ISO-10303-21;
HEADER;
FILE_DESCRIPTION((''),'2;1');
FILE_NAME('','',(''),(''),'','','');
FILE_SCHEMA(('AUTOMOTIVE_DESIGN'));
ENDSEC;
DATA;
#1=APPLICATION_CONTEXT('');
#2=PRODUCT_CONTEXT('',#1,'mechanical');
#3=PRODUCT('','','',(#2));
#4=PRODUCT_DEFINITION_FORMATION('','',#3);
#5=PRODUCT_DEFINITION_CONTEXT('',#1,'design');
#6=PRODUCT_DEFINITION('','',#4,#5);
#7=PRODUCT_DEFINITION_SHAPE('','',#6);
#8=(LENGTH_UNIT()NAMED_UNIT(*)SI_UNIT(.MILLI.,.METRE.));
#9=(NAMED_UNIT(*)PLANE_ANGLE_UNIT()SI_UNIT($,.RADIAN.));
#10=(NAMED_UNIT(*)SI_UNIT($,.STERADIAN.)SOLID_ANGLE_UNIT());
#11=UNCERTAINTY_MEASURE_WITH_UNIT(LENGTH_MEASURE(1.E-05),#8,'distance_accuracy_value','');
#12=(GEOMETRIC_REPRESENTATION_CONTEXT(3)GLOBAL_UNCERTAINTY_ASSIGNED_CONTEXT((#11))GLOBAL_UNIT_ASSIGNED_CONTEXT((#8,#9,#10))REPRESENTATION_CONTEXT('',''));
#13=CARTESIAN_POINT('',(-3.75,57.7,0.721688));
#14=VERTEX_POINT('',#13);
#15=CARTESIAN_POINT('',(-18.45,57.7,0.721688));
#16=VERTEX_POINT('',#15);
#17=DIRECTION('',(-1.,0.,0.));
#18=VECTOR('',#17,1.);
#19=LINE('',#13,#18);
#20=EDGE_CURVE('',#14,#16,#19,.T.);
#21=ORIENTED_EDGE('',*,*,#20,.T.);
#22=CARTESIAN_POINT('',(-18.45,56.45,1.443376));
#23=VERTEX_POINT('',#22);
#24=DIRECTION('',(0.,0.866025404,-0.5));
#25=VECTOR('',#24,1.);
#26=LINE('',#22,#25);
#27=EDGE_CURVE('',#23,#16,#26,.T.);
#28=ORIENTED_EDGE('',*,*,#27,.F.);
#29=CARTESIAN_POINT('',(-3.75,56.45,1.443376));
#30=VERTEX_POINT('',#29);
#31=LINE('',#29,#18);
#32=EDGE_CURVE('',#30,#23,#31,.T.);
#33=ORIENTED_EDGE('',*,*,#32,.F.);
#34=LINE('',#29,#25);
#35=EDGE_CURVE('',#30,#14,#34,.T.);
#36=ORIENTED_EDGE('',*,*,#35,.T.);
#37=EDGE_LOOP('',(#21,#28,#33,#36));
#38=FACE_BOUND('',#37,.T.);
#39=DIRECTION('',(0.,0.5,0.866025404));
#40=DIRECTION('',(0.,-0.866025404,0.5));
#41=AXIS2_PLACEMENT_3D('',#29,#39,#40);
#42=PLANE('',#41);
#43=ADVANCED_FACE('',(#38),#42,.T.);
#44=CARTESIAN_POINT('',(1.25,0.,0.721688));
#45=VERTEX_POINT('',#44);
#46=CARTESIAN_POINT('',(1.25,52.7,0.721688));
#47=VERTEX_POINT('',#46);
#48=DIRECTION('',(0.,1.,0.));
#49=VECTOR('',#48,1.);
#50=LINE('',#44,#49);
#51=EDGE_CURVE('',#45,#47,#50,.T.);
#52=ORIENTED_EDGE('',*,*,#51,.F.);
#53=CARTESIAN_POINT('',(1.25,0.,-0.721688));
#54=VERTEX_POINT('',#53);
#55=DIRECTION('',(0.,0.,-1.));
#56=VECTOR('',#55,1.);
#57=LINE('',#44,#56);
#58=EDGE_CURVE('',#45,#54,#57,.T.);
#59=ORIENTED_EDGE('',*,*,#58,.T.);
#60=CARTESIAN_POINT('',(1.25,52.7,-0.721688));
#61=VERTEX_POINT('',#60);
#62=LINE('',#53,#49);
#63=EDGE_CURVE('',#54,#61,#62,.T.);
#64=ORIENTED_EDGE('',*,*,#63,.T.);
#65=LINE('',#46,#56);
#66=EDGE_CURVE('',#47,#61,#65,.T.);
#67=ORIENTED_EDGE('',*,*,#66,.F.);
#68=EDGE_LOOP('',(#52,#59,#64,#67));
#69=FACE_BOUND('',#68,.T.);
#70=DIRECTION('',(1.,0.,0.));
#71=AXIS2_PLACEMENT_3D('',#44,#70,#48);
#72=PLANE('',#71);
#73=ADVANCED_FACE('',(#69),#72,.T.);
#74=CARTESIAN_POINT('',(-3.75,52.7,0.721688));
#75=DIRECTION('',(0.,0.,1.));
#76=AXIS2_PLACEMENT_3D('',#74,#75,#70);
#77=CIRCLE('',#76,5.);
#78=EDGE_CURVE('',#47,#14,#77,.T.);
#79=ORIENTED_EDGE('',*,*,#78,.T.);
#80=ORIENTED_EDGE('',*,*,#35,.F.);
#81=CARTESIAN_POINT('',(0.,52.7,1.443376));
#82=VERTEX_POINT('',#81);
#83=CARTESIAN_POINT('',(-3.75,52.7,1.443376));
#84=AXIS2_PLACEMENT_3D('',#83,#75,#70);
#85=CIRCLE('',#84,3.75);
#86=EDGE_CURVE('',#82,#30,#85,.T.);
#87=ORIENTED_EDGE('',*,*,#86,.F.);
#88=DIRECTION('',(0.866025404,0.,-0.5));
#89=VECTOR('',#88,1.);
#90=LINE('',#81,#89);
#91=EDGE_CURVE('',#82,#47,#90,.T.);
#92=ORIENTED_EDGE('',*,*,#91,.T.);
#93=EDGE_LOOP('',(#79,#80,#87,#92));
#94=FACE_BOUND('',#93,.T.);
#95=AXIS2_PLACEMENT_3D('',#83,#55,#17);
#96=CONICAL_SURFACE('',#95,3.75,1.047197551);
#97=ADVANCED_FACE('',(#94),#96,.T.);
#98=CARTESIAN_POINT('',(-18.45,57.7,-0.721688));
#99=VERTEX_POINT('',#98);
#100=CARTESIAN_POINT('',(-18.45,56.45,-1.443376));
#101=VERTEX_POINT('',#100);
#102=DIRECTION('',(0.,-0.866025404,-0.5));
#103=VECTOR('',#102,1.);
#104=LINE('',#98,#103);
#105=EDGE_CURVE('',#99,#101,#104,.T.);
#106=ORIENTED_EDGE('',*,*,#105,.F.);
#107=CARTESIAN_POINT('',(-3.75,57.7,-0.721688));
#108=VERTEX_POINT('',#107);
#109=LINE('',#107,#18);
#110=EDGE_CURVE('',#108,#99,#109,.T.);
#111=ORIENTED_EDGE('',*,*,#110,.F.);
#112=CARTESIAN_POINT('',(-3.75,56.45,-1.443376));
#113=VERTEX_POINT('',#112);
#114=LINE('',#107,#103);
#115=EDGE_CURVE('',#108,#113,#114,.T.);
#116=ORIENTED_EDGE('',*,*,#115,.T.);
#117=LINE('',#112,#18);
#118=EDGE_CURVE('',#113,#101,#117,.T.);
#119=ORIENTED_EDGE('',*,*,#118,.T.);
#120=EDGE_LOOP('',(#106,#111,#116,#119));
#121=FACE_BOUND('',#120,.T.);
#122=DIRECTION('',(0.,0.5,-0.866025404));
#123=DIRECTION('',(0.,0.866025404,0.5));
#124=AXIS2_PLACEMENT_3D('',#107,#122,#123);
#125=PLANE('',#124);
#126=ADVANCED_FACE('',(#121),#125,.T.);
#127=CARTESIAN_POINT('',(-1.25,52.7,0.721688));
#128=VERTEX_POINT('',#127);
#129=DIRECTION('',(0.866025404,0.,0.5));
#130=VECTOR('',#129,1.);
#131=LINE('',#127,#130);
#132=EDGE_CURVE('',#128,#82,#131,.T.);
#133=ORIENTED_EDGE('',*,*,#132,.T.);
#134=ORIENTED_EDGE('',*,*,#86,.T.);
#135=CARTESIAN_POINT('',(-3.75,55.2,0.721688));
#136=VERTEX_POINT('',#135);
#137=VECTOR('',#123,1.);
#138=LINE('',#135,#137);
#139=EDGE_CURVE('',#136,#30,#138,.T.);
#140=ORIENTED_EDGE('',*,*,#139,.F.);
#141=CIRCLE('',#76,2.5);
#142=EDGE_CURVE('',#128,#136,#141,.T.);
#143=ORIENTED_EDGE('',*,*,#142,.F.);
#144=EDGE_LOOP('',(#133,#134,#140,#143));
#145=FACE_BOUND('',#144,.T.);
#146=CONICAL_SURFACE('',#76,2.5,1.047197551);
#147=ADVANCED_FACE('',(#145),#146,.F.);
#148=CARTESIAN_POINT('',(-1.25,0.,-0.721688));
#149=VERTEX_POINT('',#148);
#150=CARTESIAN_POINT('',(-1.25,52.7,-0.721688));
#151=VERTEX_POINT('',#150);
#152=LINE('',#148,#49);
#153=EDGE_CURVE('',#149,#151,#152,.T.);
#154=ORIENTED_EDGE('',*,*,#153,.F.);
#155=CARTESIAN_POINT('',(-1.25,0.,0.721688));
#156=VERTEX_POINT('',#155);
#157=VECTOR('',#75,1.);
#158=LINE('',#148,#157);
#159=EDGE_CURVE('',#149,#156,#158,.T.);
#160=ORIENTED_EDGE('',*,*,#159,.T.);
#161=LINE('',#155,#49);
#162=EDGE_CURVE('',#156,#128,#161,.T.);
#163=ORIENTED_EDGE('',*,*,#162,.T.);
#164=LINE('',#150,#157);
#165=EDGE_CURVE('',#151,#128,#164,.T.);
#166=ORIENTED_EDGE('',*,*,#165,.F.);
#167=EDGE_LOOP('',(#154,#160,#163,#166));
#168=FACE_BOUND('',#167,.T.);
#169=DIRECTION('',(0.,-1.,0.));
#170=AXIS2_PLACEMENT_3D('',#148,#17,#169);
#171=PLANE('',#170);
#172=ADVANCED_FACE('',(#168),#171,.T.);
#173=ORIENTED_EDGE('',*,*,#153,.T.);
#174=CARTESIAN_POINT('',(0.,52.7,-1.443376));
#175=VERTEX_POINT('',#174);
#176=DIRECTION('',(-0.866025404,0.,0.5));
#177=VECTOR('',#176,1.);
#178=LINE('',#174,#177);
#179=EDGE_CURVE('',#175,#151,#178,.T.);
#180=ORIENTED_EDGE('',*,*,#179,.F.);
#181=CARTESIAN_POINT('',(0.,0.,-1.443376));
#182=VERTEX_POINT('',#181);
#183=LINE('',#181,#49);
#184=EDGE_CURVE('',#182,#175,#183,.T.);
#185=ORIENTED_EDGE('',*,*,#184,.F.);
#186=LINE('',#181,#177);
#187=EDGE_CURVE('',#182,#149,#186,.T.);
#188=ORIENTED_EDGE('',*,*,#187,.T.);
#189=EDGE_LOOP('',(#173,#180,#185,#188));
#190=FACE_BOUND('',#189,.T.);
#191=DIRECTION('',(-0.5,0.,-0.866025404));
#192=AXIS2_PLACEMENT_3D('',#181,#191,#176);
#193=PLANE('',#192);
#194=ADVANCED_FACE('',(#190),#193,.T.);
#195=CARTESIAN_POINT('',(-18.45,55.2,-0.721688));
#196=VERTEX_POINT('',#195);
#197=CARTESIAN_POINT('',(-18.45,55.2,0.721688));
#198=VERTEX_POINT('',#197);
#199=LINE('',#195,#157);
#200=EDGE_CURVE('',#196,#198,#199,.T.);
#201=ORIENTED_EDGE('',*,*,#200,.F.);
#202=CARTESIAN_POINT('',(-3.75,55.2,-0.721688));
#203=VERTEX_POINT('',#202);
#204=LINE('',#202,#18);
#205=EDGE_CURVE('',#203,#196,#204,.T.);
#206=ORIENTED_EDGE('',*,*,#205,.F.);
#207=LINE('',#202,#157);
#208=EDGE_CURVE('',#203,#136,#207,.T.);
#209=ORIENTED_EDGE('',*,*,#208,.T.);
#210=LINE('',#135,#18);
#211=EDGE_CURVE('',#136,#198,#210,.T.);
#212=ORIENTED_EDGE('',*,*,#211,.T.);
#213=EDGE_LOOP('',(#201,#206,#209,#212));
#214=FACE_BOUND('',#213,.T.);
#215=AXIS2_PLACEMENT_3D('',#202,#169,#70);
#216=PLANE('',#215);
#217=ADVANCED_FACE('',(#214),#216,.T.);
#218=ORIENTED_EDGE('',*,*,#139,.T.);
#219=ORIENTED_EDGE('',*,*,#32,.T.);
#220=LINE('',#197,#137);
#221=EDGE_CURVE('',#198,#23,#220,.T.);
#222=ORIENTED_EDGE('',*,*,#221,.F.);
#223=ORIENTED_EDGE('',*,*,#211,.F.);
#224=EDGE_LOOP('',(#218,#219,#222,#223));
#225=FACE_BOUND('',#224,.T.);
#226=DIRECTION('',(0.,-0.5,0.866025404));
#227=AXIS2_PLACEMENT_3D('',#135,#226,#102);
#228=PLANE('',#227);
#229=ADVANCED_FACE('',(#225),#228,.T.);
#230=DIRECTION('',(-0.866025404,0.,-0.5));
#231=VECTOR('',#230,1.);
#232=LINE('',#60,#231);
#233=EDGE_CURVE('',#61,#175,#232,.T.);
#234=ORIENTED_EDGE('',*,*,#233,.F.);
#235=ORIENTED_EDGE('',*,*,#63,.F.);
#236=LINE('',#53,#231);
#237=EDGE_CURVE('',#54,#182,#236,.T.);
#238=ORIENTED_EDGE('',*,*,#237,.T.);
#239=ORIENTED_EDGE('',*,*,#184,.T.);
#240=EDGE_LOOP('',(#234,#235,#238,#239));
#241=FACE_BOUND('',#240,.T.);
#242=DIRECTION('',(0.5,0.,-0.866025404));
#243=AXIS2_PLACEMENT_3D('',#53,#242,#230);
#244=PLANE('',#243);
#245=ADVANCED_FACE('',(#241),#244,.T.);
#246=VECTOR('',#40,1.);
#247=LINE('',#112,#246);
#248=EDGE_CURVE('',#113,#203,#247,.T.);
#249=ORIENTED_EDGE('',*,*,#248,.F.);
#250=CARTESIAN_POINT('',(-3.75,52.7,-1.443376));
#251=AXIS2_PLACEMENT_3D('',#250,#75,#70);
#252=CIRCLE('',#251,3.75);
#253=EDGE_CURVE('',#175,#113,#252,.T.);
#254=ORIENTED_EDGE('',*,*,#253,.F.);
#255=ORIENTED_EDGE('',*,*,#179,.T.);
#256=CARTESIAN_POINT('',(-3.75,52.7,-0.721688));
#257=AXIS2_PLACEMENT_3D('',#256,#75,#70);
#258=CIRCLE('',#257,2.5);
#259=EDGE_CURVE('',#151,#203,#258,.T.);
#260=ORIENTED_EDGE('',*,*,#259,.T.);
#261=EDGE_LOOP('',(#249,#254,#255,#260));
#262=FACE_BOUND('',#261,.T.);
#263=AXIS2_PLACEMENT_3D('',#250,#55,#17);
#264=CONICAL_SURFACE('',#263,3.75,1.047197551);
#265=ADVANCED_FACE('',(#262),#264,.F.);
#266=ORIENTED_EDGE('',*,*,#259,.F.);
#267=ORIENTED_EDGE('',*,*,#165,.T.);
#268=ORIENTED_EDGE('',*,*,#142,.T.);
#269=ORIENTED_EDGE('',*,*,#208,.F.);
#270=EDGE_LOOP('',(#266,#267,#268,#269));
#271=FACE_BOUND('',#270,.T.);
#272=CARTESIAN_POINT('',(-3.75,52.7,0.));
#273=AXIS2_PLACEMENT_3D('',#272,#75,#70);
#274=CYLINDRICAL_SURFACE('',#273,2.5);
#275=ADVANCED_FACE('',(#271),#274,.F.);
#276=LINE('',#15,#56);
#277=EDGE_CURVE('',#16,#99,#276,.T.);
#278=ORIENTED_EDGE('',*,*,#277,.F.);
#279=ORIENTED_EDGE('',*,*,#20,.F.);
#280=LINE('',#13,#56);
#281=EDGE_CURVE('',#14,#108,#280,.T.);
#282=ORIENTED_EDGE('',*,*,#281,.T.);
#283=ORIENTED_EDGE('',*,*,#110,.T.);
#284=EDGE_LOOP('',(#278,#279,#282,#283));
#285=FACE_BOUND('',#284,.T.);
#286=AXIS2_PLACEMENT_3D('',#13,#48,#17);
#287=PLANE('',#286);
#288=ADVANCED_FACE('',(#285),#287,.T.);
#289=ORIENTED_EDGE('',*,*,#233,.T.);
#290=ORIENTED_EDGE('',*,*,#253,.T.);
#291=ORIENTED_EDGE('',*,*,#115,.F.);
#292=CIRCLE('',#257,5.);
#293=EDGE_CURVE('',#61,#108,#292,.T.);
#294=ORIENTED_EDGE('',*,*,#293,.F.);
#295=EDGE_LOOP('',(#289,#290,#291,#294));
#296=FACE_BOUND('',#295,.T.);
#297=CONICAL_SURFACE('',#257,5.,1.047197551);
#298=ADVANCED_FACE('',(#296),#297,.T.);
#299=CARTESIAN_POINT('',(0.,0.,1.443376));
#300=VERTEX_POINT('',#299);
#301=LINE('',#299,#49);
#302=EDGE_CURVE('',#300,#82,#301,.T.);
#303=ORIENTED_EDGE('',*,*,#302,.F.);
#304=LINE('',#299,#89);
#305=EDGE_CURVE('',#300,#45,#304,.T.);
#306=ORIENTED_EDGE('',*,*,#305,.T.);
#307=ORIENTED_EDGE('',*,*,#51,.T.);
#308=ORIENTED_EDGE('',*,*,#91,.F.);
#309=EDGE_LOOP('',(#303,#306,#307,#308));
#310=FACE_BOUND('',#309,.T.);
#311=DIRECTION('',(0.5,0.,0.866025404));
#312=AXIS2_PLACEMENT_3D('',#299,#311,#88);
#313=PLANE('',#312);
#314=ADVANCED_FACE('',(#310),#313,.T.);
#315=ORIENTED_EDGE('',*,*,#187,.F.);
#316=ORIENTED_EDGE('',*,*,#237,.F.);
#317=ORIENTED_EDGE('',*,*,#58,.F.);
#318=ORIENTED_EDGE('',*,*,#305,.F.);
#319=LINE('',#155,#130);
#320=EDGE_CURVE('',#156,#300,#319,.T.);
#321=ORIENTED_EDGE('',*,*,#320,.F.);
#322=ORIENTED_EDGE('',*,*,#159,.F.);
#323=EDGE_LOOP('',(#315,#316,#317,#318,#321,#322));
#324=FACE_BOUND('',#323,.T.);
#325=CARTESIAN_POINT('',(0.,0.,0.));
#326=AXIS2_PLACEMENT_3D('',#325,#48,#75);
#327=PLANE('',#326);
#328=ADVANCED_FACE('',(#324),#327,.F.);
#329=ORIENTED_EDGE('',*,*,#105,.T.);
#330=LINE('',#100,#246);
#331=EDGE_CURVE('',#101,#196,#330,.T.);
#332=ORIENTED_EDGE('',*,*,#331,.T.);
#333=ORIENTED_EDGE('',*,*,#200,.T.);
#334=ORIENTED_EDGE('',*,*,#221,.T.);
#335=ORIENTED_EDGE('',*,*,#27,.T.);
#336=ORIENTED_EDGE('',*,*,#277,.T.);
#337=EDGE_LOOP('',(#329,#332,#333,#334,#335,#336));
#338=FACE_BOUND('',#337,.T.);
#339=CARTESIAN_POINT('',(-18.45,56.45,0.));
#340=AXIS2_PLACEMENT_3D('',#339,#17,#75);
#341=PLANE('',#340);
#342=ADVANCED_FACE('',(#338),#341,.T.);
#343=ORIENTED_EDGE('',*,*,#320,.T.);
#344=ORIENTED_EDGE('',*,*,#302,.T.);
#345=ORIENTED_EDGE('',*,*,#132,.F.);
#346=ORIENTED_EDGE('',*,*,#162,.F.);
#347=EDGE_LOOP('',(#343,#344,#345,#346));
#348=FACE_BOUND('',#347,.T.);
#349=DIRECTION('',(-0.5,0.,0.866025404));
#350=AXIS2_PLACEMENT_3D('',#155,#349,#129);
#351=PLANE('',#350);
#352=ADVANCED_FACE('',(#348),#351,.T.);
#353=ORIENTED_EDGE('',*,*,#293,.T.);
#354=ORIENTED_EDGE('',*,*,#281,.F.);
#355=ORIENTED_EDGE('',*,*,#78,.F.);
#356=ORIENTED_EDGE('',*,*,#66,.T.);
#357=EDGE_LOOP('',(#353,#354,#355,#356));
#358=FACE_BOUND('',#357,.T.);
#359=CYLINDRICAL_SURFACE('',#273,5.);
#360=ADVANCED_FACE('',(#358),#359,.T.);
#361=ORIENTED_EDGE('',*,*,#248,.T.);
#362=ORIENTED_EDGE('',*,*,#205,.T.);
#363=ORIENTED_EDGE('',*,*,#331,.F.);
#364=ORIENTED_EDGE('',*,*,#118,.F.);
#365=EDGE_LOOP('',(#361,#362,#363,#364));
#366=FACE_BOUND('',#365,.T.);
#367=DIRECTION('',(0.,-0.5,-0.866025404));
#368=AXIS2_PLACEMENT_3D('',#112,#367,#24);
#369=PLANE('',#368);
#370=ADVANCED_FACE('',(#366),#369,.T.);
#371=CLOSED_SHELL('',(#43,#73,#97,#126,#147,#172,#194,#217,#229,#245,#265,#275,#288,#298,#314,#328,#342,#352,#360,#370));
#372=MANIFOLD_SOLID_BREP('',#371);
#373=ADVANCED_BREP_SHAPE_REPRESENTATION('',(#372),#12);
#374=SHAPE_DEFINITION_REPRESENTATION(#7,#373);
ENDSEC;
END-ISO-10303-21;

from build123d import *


with BuildPart() as part:
    # Sweep1: sweep along a path in Sketch2
    with BuildLine(Plane.XY) as sweep1_path:
        Line((0, 0), (0, 52.7))
        ThreePointArc((0, 52.7), (-1.098349571, 55.351650429), (-3.75, 56.45))
        Line((-3.75, 56.45), (-18.45, 56.45))
    # Sketch1 → Sweep1 (sweep)
    with BuildSketch(Plane(origin=(0, 0, 0), x_dir=(1, 0, 0), z_dir=(0, 1, 0))):
        Polygon((0, 1.443375673), (-1.25, 0.721687836), (-1.25, -0.721687836), (0, -1.443375673), (1.25, -0.721687836), (1.25, 0.721687836), align=None)
    sweep(path=sweep1_path.line)


solid = part.part
